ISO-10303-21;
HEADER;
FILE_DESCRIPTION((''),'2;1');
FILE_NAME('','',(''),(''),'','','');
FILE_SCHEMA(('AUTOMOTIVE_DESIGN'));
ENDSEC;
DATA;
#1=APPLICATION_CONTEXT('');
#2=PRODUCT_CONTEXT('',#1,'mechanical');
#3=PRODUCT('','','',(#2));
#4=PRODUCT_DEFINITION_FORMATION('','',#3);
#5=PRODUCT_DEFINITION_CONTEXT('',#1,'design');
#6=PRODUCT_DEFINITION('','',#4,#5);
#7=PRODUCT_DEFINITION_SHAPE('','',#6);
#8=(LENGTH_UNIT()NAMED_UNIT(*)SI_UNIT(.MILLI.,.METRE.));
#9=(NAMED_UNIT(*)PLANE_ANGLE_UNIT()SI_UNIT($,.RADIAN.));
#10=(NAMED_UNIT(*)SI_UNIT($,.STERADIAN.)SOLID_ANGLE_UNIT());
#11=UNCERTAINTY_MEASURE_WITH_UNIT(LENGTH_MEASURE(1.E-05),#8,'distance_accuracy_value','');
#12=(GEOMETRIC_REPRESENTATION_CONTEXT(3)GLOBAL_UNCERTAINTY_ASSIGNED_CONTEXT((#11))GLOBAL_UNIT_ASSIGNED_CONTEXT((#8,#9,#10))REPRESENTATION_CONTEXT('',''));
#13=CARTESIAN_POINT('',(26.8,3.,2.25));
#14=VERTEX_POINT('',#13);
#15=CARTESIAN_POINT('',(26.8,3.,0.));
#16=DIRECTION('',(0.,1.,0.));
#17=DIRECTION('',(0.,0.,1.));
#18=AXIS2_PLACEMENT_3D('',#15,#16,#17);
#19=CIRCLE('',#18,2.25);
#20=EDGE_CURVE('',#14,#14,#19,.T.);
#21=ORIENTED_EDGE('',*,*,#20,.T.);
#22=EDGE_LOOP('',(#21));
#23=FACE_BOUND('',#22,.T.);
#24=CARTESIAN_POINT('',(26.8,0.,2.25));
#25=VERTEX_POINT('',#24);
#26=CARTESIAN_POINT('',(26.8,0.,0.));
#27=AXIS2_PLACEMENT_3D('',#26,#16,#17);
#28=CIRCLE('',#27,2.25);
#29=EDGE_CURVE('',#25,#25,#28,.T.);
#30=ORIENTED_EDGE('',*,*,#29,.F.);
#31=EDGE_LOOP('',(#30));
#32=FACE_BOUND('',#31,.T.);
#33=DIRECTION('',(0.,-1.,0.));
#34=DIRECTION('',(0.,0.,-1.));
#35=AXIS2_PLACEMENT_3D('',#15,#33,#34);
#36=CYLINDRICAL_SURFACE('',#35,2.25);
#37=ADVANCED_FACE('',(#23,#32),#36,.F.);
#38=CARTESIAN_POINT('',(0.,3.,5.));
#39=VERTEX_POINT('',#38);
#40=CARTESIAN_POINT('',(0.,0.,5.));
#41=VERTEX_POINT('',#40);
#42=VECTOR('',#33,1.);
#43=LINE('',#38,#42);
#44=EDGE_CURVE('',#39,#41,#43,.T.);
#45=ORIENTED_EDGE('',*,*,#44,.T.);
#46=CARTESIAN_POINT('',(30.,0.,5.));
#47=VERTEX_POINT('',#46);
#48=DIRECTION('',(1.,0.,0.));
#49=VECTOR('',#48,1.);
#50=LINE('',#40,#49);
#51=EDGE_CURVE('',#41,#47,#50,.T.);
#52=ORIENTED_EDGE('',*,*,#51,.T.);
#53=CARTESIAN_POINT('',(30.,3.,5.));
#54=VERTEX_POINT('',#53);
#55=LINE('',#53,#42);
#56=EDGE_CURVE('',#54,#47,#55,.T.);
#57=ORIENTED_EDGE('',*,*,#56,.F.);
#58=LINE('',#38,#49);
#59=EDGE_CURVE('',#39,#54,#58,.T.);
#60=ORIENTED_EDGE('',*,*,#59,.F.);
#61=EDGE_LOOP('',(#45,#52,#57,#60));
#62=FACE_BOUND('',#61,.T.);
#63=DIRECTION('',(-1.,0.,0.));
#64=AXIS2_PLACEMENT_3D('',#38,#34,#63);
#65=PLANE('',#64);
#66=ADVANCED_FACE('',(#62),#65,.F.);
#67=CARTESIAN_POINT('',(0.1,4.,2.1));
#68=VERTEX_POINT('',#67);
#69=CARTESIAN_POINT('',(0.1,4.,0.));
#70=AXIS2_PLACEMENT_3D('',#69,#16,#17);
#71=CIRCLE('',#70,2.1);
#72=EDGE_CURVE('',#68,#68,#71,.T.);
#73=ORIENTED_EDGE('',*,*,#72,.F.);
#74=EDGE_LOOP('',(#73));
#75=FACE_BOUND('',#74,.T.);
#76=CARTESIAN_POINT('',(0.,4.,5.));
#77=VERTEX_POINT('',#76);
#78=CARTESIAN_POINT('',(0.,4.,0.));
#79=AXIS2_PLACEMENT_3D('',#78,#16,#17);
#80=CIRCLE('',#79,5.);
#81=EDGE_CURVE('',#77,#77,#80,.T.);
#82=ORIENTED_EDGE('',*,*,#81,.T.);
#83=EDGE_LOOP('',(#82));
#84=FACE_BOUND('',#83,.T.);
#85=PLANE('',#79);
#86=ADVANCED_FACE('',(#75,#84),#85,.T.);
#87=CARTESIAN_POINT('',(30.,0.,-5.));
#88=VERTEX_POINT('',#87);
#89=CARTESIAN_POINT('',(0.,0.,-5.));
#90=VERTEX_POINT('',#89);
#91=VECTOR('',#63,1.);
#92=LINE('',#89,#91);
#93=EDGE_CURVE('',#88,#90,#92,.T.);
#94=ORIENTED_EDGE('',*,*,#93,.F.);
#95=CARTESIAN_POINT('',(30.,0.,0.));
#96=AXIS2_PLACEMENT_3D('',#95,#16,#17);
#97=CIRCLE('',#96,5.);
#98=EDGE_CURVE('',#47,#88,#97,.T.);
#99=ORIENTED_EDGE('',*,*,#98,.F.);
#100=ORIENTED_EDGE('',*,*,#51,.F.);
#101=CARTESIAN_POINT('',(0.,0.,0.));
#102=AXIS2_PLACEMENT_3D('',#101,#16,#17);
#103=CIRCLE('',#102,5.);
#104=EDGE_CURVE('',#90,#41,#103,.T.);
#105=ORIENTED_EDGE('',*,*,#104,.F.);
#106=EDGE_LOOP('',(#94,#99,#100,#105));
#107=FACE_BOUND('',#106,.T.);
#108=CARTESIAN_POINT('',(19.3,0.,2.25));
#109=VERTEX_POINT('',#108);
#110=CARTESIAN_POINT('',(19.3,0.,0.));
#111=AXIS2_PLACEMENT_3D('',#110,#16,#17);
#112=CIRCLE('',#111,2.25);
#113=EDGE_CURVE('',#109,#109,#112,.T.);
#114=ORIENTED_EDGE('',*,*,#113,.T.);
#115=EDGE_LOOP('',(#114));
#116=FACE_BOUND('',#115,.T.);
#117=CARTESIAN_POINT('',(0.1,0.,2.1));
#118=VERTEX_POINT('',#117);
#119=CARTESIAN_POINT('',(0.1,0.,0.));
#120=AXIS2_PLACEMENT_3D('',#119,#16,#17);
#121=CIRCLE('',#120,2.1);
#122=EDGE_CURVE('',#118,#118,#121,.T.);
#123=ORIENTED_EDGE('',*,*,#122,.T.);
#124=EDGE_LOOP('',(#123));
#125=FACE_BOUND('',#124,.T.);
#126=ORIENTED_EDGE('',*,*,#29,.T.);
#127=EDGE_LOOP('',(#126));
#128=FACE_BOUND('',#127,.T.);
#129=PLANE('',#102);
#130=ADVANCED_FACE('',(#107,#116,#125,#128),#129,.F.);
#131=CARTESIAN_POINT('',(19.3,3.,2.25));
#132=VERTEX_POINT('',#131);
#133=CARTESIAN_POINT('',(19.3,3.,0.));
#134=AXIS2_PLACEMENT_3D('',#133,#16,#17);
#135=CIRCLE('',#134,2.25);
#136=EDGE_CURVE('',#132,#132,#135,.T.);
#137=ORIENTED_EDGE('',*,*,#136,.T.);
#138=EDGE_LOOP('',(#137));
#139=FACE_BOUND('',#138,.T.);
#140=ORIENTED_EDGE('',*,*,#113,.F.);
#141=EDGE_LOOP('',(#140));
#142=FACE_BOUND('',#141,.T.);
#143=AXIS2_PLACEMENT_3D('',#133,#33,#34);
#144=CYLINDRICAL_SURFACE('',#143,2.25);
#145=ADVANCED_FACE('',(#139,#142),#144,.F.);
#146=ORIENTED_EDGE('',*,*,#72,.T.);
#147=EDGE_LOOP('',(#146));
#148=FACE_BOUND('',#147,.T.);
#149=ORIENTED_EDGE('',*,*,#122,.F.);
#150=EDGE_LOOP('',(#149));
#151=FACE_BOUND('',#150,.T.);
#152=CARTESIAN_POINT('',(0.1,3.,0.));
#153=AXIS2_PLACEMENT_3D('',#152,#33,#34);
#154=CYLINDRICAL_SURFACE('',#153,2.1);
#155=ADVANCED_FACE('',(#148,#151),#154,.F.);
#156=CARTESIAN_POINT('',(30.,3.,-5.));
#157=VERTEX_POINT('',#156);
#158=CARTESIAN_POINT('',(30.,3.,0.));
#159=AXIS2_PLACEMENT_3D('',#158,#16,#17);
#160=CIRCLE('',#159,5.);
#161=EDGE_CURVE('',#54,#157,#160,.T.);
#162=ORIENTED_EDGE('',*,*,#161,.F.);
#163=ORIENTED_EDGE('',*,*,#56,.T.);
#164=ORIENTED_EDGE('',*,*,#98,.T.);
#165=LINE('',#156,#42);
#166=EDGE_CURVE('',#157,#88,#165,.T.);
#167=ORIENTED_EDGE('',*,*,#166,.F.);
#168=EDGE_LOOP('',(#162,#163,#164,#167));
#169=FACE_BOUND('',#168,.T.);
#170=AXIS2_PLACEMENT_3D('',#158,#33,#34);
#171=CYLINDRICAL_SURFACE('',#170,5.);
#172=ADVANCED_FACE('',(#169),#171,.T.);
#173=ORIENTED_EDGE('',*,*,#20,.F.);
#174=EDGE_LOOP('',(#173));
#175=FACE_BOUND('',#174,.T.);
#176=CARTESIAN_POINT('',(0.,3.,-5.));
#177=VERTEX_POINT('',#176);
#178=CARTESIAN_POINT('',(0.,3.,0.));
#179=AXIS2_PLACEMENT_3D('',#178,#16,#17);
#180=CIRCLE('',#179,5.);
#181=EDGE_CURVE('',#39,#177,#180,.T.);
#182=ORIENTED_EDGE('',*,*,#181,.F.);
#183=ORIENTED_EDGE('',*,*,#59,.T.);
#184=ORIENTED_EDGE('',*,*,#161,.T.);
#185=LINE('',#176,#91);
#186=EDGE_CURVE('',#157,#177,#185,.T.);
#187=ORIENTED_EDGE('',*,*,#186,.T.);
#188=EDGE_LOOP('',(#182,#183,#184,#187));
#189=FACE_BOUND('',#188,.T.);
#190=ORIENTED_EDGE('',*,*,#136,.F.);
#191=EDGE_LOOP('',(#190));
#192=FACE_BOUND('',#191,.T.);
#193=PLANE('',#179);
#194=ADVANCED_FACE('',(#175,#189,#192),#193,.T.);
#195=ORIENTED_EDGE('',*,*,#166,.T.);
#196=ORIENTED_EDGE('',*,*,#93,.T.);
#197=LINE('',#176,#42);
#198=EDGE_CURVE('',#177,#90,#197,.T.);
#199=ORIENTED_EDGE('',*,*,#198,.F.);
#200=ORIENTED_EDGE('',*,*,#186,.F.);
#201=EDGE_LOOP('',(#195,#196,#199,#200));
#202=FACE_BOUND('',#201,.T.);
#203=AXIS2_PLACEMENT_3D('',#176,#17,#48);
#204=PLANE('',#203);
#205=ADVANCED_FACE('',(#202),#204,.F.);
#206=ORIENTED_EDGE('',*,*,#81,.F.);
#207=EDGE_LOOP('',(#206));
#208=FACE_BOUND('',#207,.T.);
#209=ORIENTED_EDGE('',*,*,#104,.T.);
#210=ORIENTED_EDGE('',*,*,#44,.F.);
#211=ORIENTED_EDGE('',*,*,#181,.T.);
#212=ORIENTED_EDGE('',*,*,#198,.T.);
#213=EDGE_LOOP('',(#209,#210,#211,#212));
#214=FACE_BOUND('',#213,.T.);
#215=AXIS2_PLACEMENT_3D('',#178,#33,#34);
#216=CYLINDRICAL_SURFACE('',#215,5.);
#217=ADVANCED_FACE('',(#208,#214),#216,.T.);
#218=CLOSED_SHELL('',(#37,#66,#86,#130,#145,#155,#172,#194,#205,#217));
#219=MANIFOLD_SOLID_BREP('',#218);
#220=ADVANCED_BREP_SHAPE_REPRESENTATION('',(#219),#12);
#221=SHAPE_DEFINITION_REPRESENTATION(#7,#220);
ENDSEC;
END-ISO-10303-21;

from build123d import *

# Parameters (mm, degrees)
SKETCH1_R           = 2.1
SKETCH1_R_2         = 2.25
BOSS_EXTRUDE1_DEPTH = 3
SKETCH3_R           = 5
SKETCH3_R_2         = 2.1
BOSS_EXTRUDE3_DEPTH = 1


with BuildPart() as part:
    # Sketch1 → Boss-Extrude1 (new body)
    with BuildSketch(Plane(origin=(0, 0, 0), x_dir=(1, 0, 0), z_dir=(0, 1, 0))):
        with BuildLine():
            Line((0, 5), (30, 5))
            ThreePointArc((30, 5), (35, 0), (30, -5))
            Line((30, -5), (0, -5))
            ThreePointArc((0, -5), (-5, 0), (0, 5))
        make_face()
        with Locations(Location((0.1, 0, 0), (0, 0, 270))):
            Circle(SKETCH1_R, mode=Mode.SUBTRACT)
        with Locations(Location((19.3, 0, 0), (0, 0, 270))):
            Circle(SKETCH1_R_2, mode=Mode.SUBTRACT)
        with Locations(Location((26.8, 0, 0), (0, 0, 270))):
            Circle(SKETCH1_R_2, mode=Mode.SUBTRACT)
    extrude(amount=BOSS_EXTRUDE1_DEPTH)

    # Sketch3 → Boss-Extrude3 (add)
    with BuildSketch(Plane(origin=(0, 3, 0), x_dir=(1, 0, 0), z_dir=(0, 1, 0))):
        with Locations(Location((0, 0, 0), (0, 0, 270))):
            Circle(SKETCH3_R)
        with Locations(Location((0.1, 0, 0), (0, 0, 270))):
            Circle(SKETCH3_R_2, mode=Mode.SUBTRACT)
    extrude(amount=BOSS_EXTRUDE3_DEPTH)


solid = part.part
